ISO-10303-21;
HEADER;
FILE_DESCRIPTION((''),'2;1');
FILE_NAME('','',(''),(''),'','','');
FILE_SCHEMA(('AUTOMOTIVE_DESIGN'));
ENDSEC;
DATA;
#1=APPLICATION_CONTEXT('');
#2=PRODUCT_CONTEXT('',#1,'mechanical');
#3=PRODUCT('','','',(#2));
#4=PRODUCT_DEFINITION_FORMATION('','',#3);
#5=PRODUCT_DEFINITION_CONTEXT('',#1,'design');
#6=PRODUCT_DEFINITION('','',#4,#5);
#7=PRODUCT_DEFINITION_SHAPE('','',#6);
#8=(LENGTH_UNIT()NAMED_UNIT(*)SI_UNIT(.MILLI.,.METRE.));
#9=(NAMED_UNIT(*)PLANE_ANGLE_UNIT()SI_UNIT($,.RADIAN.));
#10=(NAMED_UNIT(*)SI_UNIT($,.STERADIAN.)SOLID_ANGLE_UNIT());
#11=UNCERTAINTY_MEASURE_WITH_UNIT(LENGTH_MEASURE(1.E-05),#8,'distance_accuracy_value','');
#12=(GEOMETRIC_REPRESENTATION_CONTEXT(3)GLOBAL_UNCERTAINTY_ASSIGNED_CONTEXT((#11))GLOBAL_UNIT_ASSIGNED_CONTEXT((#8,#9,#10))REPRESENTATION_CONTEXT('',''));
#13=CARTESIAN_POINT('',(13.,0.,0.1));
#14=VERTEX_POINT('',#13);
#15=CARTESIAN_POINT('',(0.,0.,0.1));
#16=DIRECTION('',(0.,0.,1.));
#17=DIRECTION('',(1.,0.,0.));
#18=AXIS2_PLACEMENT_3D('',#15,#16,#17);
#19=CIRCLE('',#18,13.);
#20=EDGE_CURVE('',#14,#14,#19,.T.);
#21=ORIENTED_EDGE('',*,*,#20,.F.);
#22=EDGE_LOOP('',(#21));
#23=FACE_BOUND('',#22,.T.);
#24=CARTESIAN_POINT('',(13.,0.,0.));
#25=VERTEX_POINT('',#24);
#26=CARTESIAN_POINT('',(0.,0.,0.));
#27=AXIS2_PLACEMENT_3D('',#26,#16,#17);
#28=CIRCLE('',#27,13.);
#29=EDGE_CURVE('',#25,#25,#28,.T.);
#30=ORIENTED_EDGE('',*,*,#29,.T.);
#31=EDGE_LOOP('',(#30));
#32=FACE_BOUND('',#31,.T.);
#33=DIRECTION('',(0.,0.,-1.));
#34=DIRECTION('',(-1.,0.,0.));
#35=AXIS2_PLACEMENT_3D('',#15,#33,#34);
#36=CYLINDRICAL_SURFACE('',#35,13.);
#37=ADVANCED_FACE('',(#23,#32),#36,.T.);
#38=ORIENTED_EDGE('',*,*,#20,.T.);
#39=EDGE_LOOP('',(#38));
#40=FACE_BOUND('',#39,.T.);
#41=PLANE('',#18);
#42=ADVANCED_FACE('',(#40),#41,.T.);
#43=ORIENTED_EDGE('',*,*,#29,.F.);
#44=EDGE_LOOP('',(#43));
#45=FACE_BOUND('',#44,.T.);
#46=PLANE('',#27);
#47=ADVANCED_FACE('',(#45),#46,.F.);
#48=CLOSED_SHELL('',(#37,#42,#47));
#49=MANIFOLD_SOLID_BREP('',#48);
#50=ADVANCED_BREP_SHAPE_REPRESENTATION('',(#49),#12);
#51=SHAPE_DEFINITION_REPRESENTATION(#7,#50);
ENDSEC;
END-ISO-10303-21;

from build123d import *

# Parameters (mm, degrees)
SKETCH1_R      = 13
EXTRUDE1_DEPTH = 0.1


with BuildPart() as part:
    # Sketch1 → Extrude1 (new body)
    with BuildSketch(Plane.XY):
        Circle(SKETCH1_R)
    extrude(amount=EXTRUDE1_DEPTH)


solid = part.part
